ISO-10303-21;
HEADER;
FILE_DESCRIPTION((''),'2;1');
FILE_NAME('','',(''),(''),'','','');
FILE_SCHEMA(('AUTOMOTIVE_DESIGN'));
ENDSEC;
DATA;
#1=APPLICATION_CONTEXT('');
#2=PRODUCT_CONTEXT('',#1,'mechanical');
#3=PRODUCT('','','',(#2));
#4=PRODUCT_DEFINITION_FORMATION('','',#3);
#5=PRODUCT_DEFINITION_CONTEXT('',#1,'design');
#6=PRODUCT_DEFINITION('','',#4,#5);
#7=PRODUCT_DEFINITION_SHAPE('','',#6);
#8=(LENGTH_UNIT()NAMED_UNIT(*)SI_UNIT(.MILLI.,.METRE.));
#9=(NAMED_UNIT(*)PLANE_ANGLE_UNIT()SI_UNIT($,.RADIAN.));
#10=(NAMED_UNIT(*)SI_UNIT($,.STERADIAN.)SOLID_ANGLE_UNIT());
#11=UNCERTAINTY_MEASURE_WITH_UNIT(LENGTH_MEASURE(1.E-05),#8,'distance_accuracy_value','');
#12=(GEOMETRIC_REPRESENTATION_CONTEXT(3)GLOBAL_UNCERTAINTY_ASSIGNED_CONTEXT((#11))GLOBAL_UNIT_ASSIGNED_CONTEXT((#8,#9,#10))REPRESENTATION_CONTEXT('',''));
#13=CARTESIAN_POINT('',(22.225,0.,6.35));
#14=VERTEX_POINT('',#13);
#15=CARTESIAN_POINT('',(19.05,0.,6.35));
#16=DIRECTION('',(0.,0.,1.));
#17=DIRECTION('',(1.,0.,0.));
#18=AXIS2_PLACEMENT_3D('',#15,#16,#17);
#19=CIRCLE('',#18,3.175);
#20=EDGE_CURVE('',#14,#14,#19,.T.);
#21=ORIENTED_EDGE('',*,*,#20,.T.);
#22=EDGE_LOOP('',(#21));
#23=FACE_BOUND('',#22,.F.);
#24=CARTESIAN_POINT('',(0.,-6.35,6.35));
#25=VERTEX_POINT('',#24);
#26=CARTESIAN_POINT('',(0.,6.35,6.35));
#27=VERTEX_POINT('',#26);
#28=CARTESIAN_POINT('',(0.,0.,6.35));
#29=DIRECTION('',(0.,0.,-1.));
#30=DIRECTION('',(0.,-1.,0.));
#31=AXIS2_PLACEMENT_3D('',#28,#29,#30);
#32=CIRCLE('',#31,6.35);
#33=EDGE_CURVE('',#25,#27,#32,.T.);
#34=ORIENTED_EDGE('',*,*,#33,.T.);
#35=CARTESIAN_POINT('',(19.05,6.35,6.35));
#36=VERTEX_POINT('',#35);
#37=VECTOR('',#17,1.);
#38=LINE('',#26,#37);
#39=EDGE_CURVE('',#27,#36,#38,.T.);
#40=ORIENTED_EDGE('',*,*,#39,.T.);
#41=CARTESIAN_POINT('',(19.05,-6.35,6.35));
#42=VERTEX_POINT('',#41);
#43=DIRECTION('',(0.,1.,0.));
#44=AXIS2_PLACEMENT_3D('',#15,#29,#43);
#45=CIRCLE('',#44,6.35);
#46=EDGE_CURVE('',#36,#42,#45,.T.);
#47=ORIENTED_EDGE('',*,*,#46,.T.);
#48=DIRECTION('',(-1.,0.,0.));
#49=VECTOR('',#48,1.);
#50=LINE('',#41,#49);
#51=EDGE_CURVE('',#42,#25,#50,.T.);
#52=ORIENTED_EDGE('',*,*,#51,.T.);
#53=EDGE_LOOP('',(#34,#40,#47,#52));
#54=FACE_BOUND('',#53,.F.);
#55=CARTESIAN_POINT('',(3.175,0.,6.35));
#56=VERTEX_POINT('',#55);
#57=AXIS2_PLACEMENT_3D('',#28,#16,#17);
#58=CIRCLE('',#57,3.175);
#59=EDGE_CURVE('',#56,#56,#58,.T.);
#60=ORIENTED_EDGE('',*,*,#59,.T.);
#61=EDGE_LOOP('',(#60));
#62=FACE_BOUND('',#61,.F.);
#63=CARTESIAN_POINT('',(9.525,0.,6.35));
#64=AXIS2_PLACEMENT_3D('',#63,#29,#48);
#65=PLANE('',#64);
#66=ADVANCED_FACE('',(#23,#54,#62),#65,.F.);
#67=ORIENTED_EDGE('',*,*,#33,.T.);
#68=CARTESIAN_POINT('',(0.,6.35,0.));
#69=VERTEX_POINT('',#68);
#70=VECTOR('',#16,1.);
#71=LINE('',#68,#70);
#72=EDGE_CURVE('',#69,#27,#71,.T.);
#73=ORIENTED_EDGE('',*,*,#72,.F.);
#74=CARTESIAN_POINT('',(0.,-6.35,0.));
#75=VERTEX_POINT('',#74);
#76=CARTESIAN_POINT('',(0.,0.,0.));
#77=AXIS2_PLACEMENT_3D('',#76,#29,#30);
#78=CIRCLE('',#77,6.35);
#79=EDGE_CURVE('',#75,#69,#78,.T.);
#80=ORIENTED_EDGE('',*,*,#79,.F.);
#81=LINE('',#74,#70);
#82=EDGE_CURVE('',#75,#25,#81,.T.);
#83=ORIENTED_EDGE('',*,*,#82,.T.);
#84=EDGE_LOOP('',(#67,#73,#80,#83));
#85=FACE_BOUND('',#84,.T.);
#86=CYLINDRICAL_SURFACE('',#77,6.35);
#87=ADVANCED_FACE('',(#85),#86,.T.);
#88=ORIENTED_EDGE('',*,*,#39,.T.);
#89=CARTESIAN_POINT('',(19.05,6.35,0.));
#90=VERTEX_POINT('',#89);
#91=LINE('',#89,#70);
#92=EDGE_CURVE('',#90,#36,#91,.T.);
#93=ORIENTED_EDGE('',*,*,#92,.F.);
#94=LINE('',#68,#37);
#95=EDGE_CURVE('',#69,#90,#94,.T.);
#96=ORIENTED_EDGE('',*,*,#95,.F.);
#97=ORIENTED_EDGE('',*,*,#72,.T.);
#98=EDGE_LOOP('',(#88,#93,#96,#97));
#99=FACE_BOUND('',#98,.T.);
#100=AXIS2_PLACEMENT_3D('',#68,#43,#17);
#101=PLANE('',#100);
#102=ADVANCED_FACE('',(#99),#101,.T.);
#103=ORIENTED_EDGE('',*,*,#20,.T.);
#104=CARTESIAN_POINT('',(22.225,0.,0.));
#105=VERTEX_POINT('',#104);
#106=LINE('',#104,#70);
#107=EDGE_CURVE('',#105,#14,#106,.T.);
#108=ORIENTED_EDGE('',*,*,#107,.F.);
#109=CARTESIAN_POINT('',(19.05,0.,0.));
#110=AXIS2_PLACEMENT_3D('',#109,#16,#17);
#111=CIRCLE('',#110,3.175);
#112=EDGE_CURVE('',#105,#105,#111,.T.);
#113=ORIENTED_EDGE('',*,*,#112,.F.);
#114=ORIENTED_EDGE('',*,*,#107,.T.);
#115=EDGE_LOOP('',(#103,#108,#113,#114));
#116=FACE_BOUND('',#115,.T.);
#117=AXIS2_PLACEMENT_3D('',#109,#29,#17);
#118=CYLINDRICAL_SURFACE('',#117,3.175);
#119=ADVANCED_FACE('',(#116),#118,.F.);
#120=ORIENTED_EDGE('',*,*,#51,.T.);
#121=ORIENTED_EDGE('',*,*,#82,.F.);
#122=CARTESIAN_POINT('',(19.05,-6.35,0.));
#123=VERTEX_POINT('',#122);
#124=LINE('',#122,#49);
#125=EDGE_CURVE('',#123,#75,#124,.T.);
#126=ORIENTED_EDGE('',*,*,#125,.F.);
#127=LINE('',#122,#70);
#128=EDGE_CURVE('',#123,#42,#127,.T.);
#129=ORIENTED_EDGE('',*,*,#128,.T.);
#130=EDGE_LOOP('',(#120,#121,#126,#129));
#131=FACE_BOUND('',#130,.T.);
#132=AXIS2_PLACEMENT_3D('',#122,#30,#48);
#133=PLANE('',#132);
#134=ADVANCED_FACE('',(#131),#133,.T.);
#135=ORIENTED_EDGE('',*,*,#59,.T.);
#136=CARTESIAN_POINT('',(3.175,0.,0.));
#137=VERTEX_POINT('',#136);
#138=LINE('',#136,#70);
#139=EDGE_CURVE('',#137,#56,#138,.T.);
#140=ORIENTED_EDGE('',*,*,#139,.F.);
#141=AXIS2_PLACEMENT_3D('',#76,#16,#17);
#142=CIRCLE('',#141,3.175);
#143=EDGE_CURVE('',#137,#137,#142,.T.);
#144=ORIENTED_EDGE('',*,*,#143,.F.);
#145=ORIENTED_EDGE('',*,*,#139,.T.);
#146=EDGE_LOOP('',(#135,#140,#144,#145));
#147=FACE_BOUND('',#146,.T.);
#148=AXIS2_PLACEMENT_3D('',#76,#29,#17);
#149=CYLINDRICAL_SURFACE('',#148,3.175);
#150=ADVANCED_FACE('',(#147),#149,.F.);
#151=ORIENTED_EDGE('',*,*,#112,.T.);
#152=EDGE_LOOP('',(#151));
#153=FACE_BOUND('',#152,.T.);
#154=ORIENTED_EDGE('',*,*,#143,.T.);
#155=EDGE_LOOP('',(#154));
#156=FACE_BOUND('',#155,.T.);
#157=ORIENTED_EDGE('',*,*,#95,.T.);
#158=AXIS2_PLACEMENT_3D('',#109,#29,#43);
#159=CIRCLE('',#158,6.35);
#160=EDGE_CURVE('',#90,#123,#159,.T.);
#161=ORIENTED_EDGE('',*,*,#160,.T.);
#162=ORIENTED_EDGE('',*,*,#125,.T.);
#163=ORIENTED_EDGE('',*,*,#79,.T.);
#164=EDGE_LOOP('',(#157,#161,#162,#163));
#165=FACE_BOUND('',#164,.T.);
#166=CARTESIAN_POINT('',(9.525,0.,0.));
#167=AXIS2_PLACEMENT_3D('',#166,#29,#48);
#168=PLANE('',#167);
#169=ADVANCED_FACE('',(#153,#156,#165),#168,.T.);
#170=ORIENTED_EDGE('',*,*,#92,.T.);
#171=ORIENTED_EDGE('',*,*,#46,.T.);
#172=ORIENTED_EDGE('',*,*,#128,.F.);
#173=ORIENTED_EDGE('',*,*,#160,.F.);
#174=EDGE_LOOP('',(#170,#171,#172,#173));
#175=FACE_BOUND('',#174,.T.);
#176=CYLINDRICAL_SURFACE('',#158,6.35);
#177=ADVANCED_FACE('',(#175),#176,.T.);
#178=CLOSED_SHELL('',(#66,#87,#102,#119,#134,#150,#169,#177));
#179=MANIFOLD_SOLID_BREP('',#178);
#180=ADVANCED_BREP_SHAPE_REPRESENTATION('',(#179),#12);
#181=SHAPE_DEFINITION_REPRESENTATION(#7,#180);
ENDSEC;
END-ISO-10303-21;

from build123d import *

# Parameters (mm, degrees)
SKETCH1_R           = 3.175
BOSS_EXTRUDE1_DEPTH = 6.35


with BuildPart() as part:
    # Sketch1 → Boss-Extrude1 (new body)
    with BuildSketch(Plane.XY):
        with BuildLine():
            Line((0, 6.35), (19.05, 6.35))
            ThreePointArc((19.05, 6.35), (25.4, 0), (19.05, -6.35))
            Line((19.05, -6.35), (0, -6.35))
            ThreePointArc((0, -6.35), (-6.35, 0), (0, 6.35))
        make_face()
        with Locations((19.05, 0)):
            Circle(SKETCH1_R, mode=Mode.SUBTRACT)
        Circle(SKETCH1_R, mode=Mode.SUBTRACT)
    extrude(amount=BOSS_EXTRUDE1_DEPTH)


solid = part.part
